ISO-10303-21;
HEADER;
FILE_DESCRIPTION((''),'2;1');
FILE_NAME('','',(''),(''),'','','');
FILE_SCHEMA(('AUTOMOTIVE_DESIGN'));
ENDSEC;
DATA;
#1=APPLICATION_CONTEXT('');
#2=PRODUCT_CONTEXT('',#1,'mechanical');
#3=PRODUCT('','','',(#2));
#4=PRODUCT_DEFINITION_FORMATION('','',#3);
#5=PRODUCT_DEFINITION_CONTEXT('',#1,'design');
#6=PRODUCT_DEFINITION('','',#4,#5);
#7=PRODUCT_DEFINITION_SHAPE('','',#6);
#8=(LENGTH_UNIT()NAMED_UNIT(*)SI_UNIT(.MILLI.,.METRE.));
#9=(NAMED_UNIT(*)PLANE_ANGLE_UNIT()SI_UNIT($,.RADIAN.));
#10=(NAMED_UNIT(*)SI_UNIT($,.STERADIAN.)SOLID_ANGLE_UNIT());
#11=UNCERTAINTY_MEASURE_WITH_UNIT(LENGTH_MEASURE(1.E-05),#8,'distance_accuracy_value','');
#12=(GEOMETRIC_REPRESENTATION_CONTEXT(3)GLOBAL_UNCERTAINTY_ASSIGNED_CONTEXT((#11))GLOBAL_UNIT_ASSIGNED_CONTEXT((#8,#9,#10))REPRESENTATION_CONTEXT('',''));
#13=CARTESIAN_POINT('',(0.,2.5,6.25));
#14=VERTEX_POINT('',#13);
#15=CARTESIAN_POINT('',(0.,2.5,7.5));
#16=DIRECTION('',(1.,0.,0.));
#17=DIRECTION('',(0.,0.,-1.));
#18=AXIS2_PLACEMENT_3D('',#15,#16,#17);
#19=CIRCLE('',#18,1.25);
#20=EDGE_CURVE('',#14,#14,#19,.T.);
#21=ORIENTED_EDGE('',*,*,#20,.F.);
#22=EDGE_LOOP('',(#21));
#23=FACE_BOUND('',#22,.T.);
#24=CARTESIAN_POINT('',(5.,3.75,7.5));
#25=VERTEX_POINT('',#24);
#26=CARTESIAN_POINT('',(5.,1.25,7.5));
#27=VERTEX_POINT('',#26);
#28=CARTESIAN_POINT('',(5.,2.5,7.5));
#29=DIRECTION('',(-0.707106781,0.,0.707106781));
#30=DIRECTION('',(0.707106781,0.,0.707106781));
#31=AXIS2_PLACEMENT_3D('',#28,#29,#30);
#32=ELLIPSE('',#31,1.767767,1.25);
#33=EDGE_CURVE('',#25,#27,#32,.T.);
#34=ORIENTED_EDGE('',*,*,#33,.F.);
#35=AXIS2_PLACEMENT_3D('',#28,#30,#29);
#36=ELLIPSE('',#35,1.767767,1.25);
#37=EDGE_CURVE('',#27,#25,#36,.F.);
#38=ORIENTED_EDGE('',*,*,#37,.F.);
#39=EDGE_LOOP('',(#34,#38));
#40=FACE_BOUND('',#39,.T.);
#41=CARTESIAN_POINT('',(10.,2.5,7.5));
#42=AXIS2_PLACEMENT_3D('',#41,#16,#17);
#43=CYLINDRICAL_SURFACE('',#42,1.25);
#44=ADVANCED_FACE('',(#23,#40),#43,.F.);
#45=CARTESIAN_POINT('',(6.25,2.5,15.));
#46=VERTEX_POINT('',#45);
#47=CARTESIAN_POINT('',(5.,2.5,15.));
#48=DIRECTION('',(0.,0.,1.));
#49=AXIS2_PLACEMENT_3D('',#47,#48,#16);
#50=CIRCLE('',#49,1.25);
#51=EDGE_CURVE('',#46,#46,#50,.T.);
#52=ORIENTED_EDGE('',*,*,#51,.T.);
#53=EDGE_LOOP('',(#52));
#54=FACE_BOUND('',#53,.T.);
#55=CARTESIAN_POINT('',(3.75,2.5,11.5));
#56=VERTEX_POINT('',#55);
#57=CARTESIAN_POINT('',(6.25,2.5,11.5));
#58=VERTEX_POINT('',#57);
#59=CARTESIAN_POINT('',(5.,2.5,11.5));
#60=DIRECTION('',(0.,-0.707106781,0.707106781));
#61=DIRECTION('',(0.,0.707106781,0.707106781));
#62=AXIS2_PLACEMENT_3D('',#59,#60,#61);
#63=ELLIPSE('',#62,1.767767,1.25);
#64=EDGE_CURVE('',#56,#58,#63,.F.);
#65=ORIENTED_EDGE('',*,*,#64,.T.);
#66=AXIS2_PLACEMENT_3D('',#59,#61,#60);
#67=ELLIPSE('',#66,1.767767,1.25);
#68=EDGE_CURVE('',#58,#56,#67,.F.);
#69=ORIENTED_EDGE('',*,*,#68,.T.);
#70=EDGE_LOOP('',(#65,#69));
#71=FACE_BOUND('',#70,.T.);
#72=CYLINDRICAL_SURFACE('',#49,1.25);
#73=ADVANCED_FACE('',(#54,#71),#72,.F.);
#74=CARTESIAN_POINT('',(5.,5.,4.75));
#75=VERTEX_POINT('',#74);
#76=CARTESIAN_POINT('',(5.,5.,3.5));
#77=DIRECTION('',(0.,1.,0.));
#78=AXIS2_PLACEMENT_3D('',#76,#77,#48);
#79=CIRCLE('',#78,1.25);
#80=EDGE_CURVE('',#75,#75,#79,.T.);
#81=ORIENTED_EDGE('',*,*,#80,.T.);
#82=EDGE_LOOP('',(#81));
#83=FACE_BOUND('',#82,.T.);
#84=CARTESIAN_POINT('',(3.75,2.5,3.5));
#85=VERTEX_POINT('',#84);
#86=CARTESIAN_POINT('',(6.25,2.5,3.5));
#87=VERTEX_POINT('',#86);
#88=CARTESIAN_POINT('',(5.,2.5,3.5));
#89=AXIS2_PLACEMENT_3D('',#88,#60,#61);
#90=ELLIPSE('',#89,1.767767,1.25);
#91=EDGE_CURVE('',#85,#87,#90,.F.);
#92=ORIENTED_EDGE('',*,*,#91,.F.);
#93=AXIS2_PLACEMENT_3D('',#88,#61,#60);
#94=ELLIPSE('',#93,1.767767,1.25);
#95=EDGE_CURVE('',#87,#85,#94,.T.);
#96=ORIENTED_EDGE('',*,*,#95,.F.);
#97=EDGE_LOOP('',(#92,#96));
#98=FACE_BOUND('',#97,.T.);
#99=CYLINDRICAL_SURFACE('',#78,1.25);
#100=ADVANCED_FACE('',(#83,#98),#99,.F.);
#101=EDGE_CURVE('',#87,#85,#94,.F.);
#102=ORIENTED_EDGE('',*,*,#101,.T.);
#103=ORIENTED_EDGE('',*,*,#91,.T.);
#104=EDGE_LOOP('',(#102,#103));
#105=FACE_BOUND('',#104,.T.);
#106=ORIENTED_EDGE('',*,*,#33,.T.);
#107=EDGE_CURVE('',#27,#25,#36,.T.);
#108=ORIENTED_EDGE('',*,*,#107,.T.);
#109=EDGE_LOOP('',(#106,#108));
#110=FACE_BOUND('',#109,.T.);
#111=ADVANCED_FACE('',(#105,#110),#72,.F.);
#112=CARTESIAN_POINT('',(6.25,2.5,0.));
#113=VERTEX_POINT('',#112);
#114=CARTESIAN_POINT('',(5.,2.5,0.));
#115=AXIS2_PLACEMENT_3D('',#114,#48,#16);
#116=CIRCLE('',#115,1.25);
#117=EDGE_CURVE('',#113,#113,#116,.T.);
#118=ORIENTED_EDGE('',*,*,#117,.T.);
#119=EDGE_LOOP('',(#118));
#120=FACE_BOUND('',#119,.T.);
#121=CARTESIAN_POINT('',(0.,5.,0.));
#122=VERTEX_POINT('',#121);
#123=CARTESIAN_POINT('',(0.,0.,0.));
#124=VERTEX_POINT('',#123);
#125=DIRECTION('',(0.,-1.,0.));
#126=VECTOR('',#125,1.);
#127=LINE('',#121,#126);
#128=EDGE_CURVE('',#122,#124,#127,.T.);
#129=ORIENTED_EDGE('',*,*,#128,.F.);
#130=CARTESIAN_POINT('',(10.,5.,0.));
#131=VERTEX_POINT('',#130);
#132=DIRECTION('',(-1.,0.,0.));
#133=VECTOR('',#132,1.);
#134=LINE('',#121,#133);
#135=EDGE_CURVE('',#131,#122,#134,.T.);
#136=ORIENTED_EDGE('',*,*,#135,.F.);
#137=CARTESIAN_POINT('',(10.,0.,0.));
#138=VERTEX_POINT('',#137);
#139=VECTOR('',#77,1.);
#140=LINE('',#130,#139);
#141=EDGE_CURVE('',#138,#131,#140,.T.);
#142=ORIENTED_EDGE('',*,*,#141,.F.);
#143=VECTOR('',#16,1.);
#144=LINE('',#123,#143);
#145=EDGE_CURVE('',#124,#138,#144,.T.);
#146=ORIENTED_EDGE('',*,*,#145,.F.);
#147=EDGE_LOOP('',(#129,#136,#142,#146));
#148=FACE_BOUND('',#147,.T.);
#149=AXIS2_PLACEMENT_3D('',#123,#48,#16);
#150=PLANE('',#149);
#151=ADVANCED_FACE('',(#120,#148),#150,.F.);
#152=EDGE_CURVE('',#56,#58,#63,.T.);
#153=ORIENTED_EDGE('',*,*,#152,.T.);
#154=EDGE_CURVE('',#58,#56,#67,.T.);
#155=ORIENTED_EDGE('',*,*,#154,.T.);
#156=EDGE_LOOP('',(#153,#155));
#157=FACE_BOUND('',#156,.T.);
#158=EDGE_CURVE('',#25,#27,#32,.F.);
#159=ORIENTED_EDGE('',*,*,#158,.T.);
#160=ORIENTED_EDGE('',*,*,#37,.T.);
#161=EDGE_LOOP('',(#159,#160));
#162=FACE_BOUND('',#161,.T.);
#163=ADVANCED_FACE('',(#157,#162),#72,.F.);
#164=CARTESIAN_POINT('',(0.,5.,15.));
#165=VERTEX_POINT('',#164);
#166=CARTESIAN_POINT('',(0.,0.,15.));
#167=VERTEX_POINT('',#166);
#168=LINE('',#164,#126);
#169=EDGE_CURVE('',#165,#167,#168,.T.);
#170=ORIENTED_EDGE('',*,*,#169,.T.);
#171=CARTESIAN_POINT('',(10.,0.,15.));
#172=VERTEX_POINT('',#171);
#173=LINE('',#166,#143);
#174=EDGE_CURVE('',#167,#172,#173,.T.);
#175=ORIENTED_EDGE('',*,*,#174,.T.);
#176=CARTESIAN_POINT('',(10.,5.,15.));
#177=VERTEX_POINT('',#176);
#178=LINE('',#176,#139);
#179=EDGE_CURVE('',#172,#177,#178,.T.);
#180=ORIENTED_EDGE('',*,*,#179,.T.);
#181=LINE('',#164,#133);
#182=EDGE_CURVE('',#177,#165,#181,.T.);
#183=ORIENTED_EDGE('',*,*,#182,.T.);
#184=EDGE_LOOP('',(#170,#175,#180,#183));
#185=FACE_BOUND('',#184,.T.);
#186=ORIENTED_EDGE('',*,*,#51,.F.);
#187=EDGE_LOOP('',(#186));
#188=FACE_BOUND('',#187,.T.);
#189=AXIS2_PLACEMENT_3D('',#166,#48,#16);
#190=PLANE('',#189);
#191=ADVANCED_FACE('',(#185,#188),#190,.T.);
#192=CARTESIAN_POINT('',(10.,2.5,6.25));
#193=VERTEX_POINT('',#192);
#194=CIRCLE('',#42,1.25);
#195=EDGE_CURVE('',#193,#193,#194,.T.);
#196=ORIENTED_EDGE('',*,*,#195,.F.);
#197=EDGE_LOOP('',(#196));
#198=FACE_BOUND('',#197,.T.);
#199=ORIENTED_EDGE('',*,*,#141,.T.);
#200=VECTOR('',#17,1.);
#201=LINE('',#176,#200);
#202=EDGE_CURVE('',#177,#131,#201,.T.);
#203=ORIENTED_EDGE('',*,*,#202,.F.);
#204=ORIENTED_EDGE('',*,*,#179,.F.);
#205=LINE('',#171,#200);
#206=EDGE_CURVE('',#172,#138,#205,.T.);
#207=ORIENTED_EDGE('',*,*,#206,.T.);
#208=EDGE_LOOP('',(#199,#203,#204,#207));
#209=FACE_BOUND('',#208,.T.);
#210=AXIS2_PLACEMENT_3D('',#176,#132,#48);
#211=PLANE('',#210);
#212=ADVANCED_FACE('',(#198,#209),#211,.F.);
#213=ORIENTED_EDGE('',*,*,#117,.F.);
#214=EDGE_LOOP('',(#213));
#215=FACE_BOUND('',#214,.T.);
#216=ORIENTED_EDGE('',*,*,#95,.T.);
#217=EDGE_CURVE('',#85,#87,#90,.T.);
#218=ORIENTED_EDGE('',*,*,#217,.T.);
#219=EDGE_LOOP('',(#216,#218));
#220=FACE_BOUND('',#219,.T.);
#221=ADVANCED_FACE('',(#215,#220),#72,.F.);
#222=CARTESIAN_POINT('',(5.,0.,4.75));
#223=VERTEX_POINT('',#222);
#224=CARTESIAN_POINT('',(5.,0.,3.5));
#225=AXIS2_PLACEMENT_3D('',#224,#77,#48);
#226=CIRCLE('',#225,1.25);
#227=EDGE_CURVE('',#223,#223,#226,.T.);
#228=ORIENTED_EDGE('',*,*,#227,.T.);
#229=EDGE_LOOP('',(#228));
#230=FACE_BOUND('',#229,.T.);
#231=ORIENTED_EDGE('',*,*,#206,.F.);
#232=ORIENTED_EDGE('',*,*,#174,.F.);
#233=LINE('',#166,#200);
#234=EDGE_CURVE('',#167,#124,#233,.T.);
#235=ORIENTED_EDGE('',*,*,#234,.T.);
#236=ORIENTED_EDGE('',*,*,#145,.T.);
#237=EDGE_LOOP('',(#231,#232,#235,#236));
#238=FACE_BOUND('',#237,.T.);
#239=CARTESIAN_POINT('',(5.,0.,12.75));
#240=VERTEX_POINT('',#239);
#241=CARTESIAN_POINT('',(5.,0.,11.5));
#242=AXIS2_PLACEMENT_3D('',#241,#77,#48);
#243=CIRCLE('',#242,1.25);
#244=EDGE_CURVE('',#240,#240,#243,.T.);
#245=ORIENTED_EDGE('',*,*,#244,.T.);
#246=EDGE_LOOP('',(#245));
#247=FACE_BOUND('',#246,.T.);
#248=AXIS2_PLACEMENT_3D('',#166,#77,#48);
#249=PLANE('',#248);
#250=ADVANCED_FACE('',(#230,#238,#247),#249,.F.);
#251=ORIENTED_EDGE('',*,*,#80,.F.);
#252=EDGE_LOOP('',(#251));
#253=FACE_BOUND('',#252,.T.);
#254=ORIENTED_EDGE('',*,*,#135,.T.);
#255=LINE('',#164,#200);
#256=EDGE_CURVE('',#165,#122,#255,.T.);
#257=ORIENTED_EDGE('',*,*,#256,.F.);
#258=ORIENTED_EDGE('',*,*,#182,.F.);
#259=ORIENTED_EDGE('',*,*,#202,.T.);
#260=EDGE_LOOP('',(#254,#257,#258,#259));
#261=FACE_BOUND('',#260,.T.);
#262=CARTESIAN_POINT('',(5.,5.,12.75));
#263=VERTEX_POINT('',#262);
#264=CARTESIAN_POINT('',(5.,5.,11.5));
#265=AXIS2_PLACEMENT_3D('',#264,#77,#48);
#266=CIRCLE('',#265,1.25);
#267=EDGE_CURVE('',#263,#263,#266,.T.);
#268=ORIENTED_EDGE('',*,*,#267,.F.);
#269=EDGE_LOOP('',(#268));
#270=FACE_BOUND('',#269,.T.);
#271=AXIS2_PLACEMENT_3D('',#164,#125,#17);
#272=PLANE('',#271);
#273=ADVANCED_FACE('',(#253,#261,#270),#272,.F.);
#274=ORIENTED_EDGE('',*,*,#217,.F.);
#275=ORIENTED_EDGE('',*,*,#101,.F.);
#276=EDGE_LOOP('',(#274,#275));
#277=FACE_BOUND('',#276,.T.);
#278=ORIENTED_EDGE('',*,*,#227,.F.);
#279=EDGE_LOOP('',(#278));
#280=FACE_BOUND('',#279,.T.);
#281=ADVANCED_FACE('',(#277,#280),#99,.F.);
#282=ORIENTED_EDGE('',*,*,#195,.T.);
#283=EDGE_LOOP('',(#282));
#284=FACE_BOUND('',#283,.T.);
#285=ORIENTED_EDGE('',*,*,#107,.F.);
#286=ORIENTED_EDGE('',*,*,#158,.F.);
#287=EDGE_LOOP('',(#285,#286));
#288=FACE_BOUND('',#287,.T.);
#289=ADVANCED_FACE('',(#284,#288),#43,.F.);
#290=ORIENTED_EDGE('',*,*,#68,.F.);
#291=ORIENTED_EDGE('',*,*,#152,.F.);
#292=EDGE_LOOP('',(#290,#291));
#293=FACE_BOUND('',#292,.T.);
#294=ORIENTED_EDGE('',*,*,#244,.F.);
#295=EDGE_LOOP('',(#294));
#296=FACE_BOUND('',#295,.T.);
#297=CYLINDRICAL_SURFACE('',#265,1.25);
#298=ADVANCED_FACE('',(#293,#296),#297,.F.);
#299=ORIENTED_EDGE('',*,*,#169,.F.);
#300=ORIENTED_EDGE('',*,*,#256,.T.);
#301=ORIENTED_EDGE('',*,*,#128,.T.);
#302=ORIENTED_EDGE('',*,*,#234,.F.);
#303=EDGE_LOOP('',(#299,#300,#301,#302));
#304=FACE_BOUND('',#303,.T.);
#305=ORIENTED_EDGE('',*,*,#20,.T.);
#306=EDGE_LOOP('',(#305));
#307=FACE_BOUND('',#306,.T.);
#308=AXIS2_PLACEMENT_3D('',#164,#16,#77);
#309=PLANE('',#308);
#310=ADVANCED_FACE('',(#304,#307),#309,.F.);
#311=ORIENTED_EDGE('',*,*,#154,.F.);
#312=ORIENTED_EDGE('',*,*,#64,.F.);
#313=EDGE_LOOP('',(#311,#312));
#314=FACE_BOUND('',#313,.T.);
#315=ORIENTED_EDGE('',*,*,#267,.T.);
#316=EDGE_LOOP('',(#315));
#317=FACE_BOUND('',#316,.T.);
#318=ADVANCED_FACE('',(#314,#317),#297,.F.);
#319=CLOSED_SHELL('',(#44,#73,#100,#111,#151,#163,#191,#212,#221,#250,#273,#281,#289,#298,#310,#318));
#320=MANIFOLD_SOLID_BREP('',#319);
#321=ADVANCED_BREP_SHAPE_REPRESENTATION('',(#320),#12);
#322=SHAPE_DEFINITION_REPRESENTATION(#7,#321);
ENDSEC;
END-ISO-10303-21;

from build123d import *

# Parameters (mm, degrees)
ESQUISSE1_W       = 10
ESQUISSE1_H       = 5
EXTRUSION1_DEPTH  = 15
TROU_TARAUD_M31_D = 2.5
TROU_TARAUD_M32_D = 2.5
TROU_TARAUD_M33_D = 2.5


with BuildPart() as part:
    # Esquisse1 → Extrusion1 (new body)
    with BuildSketch(Plane.XY):
        with Locations((5, 2.5)):
            Rectangle(ESQUISSE1_W, ESQUISSE1_H)
    extrude(amount=EXTRUSION1_DEPTH)

    # Trou taraudé M31 (through all)
    with Locations(Plane.XY.offset(15)):
        with Locations((5, 2.5)):
            Hole(TROU_TARAUD_M31_D / 2)

    # Trou taraudé M32 (through all)
    with Locations(Plane(origin=(10, 0, 0), x_dir=(0, 0, -1), z_dir=(1, 0, 0))):
        with Locations((-7.5, 2.5)):
            Hole(TROU_TARAUD_M32_D / 2)

    # Trou taraudé M33 (through all)
    with Locations(Plane(origin=(0, 5, 0), x_dir=(-1, 0, 0), z_dir=(0, 1, 0))):
        with Locations((-5, 11.5), (-5, 3.5)):
            Hole(TROU_TARAUD_M33_D / 2)


solid = part.part
